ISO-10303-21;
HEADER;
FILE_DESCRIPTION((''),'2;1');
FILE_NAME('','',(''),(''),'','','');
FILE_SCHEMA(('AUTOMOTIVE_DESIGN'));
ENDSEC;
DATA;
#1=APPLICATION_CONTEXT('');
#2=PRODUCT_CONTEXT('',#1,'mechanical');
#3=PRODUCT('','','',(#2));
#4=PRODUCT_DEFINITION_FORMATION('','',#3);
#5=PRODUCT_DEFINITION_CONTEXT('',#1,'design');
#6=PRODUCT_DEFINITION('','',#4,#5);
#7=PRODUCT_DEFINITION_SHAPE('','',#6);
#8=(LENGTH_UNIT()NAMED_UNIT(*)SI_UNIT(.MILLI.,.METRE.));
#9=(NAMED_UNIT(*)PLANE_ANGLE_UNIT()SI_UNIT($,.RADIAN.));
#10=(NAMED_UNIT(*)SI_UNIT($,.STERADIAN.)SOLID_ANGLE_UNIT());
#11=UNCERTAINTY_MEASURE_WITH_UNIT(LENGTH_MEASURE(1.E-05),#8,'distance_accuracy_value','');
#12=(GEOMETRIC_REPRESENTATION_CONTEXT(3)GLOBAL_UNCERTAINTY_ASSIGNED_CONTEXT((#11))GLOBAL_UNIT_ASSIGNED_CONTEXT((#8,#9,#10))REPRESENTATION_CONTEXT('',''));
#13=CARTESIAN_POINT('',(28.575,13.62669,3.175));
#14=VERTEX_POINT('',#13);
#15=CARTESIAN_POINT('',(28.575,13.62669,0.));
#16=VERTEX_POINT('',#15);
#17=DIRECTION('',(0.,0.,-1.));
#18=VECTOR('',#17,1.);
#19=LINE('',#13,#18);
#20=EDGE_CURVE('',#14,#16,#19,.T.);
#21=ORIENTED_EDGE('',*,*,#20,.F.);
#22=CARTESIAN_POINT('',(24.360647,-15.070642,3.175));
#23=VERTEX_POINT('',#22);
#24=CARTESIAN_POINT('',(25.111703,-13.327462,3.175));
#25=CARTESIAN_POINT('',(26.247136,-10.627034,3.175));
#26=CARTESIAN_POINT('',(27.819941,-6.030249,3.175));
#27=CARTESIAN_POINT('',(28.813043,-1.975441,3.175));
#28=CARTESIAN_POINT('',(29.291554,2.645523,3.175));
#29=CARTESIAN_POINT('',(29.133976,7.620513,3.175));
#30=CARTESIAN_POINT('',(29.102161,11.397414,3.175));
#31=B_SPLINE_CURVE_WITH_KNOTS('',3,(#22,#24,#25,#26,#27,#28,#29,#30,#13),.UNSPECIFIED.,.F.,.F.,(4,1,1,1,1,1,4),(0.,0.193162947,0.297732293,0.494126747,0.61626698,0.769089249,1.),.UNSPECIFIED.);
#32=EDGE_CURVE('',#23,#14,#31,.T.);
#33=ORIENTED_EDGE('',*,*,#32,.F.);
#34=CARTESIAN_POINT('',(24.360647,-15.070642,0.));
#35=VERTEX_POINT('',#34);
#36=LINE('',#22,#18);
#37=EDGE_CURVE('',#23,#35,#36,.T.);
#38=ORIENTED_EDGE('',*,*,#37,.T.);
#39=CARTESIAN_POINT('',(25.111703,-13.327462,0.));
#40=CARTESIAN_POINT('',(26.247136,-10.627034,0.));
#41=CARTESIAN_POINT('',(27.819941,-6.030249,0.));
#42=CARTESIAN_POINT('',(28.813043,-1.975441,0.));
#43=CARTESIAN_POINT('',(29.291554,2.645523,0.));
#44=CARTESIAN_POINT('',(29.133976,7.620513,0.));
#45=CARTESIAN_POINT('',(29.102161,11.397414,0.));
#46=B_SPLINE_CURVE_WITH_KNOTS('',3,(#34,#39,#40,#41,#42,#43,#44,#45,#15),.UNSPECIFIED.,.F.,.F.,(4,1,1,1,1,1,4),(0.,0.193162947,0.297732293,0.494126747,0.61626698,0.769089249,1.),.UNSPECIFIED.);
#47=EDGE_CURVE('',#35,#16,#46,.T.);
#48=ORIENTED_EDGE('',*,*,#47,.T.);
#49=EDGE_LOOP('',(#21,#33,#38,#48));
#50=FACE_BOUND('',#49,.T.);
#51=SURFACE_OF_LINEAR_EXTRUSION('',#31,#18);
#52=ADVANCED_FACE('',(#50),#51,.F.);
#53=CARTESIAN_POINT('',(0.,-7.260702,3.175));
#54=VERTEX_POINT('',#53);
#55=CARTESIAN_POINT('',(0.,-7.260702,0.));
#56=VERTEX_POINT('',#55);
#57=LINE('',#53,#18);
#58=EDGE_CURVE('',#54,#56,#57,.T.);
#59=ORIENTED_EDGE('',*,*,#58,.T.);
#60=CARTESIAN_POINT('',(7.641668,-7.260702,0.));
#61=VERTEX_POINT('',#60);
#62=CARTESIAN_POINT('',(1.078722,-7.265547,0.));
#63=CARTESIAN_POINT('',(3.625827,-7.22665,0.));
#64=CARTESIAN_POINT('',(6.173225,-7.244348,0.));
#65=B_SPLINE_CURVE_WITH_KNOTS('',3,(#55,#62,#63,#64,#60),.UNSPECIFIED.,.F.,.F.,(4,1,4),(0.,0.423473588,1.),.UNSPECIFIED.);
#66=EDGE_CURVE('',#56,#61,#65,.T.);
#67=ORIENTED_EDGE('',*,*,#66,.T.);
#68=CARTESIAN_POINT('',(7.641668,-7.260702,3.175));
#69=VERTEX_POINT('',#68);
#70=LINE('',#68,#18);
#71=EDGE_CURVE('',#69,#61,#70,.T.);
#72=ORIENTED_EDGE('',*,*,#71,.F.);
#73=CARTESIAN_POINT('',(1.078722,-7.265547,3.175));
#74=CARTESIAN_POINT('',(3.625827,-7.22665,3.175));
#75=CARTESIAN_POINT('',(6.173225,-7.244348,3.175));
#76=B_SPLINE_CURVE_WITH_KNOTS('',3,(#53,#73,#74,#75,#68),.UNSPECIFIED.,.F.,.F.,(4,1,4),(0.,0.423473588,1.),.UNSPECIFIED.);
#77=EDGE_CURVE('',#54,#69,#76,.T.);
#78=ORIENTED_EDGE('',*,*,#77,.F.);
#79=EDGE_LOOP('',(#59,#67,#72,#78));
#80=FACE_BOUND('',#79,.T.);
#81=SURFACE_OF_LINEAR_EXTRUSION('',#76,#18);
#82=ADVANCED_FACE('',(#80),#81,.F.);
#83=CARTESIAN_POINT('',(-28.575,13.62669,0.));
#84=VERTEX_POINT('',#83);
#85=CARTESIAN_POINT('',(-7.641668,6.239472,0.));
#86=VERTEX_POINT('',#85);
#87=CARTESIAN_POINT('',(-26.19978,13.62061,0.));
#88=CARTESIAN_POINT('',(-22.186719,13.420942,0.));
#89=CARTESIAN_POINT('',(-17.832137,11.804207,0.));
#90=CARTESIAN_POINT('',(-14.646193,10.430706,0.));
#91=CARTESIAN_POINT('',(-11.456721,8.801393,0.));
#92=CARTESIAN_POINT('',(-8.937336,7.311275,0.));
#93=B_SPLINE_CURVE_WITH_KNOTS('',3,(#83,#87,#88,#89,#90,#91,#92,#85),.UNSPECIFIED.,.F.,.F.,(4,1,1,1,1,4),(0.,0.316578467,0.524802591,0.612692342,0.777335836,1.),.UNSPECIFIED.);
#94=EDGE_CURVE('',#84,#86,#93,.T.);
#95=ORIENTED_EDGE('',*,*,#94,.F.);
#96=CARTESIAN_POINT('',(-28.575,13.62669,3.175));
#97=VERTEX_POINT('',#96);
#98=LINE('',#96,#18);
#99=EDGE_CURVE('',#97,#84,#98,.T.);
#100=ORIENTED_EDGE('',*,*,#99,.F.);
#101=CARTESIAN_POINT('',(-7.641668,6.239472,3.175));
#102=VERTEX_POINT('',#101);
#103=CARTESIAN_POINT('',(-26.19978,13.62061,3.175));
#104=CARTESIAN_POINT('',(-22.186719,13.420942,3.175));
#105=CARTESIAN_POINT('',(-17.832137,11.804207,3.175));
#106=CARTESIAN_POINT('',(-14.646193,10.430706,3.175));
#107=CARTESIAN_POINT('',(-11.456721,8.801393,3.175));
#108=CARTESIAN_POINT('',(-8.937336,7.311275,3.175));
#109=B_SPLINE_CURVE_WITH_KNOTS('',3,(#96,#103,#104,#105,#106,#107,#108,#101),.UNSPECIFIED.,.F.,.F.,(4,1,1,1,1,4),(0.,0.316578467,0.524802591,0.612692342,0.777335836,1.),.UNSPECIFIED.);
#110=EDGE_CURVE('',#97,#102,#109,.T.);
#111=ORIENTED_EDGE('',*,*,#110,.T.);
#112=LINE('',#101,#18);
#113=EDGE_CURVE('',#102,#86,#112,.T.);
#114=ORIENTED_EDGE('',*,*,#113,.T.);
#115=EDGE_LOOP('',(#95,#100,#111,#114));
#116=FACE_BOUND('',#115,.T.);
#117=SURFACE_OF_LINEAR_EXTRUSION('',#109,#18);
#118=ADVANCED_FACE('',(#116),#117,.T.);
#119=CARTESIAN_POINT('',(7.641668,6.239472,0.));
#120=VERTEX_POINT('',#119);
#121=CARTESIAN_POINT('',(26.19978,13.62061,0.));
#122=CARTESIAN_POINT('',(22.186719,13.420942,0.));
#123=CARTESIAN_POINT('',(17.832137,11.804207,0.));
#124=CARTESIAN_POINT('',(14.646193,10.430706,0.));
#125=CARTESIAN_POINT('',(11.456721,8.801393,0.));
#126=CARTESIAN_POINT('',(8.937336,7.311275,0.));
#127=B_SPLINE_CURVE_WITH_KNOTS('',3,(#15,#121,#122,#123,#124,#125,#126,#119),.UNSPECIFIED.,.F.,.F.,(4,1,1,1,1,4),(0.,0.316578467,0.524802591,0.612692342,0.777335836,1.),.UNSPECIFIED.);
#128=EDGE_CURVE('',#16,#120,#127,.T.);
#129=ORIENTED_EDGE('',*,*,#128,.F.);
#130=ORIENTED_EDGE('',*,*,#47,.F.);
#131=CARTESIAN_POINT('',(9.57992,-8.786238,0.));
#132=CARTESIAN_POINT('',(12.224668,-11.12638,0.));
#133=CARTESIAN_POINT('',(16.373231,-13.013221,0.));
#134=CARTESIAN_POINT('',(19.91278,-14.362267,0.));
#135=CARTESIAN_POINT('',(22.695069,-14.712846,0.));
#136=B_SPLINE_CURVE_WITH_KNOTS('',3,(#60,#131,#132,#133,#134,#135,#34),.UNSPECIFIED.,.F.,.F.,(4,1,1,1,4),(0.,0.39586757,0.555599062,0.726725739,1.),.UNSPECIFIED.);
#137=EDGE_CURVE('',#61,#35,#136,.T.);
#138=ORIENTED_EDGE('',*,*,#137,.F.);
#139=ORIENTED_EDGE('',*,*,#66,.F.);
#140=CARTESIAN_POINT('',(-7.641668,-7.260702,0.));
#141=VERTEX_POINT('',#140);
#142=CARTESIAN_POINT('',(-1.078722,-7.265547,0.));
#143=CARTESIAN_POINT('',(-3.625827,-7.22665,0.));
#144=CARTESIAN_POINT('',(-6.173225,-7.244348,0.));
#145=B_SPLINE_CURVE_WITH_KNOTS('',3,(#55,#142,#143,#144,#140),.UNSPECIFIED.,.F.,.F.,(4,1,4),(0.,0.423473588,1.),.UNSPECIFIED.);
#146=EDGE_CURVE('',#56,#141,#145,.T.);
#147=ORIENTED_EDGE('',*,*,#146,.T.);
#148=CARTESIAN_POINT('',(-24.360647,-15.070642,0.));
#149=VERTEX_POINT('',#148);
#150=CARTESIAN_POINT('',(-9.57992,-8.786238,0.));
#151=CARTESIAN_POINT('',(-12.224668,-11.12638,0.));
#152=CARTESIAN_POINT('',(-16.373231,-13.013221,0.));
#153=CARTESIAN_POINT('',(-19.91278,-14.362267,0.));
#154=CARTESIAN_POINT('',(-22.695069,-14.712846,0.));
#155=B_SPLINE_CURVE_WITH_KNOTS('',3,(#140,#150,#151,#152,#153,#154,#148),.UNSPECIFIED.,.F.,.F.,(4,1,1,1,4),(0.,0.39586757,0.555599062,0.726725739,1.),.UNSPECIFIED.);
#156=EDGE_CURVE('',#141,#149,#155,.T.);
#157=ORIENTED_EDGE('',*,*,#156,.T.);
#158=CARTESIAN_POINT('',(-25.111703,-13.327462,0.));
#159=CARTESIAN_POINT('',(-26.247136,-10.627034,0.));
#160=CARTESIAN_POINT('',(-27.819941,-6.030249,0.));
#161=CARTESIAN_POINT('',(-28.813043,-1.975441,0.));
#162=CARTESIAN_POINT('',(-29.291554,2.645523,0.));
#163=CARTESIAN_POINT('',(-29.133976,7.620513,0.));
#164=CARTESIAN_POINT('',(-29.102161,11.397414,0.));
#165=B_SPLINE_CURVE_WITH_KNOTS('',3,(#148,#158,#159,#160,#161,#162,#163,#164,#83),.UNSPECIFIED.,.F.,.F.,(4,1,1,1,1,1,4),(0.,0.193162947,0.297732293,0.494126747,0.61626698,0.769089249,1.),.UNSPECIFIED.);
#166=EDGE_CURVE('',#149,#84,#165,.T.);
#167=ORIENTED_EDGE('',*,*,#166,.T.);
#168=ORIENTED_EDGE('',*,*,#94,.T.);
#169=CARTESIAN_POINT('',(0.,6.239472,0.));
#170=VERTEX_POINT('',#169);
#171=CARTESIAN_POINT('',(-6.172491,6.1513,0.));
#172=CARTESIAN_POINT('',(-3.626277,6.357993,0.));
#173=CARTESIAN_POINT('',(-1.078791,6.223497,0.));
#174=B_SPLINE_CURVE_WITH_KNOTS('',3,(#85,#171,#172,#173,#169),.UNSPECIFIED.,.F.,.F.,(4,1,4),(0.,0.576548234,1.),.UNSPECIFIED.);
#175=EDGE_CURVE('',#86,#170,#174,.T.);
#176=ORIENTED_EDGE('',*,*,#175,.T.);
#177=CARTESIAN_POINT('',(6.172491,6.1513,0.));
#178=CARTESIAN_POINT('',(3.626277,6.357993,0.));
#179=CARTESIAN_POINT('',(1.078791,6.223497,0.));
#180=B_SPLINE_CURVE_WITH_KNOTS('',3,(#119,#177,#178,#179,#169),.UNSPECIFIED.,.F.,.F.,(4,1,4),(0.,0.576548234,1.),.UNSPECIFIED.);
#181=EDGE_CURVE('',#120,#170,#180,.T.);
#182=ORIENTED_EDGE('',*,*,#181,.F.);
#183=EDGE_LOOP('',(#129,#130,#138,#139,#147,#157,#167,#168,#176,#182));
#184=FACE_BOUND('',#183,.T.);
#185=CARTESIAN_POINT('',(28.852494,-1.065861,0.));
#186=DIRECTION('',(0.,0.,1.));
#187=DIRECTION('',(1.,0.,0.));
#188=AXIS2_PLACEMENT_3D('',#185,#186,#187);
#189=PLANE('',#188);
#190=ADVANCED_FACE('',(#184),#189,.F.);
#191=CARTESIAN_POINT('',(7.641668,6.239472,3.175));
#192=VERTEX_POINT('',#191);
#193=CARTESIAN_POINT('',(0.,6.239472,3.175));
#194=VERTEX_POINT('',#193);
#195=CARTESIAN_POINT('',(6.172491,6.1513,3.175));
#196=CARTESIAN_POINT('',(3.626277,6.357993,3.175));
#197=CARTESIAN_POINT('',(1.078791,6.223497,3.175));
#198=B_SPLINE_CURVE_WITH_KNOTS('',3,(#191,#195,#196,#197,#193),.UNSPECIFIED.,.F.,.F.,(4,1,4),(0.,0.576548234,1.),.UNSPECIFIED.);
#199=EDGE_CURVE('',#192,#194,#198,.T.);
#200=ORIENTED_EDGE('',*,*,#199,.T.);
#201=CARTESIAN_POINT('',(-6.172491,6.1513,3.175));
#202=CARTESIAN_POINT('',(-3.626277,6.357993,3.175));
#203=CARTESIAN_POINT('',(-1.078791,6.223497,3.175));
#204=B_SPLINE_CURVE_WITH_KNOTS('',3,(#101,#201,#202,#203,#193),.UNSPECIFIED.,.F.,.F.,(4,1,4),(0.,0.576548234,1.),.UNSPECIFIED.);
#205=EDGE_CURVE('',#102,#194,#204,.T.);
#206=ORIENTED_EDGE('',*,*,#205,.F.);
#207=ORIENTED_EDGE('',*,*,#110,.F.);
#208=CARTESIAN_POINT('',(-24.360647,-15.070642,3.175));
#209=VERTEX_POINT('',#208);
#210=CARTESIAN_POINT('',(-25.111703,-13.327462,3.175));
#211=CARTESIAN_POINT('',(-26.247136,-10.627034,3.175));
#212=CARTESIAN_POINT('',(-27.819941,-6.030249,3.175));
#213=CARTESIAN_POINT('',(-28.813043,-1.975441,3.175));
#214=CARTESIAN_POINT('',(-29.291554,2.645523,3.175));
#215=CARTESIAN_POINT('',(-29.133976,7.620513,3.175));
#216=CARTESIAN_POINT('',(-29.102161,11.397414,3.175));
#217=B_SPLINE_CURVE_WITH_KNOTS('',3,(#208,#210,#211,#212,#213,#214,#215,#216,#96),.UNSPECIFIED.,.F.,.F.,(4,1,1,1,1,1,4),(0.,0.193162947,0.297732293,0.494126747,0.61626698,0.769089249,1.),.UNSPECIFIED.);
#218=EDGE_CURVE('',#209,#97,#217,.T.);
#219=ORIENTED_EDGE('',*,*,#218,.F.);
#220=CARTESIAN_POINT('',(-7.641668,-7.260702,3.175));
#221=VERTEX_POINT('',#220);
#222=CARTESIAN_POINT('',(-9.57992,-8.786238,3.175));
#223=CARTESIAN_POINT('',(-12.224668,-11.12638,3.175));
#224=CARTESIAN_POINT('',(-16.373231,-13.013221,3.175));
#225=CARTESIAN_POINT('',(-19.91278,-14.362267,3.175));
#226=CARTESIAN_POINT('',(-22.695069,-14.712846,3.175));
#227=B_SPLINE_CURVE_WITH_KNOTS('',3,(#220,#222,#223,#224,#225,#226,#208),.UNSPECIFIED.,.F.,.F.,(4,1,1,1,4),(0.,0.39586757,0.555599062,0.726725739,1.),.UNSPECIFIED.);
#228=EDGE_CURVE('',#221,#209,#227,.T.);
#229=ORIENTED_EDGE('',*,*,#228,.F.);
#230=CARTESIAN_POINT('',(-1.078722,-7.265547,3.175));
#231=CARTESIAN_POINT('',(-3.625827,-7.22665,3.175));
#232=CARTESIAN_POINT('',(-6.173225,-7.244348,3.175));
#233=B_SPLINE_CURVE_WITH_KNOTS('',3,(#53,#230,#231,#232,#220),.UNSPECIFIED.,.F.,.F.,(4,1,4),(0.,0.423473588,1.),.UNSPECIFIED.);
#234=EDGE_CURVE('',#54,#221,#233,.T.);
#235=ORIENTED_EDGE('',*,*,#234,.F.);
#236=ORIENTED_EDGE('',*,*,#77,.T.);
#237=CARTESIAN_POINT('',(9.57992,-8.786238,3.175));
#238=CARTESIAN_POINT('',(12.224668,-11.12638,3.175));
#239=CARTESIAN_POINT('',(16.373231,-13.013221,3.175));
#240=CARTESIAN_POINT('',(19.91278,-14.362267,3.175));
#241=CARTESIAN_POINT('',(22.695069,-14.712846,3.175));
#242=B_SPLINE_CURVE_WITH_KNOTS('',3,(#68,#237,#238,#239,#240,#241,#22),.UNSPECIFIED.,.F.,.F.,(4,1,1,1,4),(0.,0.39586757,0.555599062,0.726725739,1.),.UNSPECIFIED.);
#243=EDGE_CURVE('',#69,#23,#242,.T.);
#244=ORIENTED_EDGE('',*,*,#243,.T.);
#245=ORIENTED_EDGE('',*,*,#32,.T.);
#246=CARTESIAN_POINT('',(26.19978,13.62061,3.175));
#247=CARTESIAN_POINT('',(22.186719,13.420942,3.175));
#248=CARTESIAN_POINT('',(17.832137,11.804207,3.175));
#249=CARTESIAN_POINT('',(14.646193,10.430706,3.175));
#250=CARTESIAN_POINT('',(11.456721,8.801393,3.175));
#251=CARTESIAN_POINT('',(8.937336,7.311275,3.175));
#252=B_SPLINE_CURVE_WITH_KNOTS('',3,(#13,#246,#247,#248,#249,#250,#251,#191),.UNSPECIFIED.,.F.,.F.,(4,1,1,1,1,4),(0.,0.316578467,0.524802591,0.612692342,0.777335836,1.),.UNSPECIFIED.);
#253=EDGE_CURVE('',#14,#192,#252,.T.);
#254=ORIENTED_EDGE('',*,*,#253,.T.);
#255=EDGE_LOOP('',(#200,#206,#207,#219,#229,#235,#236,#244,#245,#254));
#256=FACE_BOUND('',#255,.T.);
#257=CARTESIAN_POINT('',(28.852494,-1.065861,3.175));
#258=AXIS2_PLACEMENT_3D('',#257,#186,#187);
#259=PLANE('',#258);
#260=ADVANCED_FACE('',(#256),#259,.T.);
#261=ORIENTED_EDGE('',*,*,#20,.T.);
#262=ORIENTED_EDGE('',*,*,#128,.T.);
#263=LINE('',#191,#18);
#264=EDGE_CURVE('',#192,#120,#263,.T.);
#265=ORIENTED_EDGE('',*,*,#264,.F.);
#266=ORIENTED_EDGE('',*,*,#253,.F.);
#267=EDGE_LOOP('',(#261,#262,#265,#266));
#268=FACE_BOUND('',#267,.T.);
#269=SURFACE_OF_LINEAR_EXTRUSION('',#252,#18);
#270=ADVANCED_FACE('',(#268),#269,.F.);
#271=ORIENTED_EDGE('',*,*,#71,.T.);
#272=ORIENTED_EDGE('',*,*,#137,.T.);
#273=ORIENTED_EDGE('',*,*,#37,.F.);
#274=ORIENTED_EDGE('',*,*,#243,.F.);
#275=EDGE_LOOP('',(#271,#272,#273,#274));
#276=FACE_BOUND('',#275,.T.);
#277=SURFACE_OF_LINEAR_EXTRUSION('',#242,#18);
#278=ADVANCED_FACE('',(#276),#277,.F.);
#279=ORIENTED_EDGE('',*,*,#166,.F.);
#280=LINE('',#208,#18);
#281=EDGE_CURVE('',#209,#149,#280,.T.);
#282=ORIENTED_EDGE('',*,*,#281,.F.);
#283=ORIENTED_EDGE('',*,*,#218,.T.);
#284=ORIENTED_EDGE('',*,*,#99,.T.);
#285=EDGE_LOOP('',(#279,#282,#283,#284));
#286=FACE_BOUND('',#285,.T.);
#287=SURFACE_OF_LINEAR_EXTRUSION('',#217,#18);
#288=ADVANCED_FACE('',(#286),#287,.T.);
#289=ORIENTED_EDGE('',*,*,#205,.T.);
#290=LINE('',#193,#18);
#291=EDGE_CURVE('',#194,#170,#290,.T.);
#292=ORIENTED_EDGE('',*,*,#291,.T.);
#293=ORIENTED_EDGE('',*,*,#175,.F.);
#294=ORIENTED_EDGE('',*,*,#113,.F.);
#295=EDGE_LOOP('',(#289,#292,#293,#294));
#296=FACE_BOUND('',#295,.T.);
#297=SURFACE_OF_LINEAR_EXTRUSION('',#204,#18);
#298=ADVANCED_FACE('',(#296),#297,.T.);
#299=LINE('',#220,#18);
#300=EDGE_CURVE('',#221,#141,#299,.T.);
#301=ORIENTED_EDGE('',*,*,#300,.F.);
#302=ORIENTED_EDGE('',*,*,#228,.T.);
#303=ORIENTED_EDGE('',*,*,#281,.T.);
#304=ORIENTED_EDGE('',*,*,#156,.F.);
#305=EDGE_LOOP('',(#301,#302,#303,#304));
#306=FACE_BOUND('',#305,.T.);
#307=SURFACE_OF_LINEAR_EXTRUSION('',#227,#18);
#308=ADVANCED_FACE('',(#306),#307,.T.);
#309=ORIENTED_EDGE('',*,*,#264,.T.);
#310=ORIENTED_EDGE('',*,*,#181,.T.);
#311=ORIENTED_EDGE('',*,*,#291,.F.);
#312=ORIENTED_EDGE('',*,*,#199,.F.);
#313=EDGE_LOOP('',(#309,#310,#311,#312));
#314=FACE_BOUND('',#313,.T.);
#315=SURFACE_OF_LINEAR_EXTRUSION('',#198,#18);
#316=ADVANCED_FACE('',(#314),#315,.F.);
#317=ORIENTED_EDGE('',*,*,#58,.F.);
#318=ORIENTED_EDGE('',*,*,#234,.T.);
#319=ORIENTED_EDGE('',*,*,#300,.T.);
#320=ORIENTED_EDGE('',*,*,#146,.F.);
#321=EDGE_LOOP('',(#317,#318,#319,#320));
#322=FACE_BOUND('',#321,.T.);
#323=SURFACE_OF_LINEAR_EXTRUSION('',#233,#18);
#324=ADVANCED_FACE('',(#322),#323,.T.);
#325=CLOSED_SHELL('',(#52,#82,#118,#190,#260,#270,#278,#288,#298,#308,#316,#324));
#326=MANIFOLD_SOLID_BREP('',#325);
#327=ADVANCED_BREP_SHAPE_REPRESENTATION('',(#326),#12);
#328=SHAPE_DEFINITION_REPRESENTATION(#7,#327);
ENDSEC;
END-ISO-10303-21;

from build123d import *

# Parameters (mm, degrees)
BOSS_EXTRUDE1_DEPTH = 3.175


with BuildPart() as part:
    # Sketch1 → Boss-Extrude1 (new body)
    with BuildSketch(Plane.XY):
        with BuildLine():
            Line((0, 6.239472455), (0, -7.260702217))
            add(Edge.make_bspline(
                [(7.641667961, -7.260702217), (6.173224566, -7.24434781), (3.62582692, -7.226650196), (1.078722065, -7.265547409), (0, -7.260702217)],
                knots=[0, 0, 0, 0, 0.576526412, 1, 1, 1, 1], degree=3))
            add(Edge.make_bspline(
                [(24.360647134, -15.070641791), (22.695069181, -14.712846276), (19.912779569, -14.362267459), (16.373231273, -13.013220857), (12.224668447, -11.126379611), (9.579920278, -8.786238347), (7.641667961, -7.260702217)],
                knots=[0, 0, 0, 0, 0.273274261, 0.444400938, 0.60413243, 1, 1, 1, 1], degree=3))
            add(Edge.make_bspline(
                [(28.575, 13.626690141), (29.102161134, 11.397414075), (29.133975743, 7.620513248), (29.291553814, 2.645522958), (28.813043081, -1.975440767), (27.819941332, -6.030249292), (26.247135541, -10.627034403), (25.111702689, -13.327462029), (24.360647134, -15.070641791)],
                knots=[0, 0, 0, 0, 0.230910751, 0.38373302, 0.505873253, 0.702267707, 0.806837053, 1, 1, 1, 1], degree=3))
            add(Edge.make_bspline(
                [(28.575, 13.626690141), (26.199779562, 13.620610297), (22.186719247, 13.420941971), (17.832136903, 11.80420711), (14.646192699, 10.4307062), (11.456721178, 8.801393468), (8.937335742, 7.311275098), (7.641667961, 6.239472455)],
                knots=[0, 0, 0, 0, 0.316578467, 0.524802591, 0.612692342, 0.777335836, 1, 1, 1, 1], degree=3))
            add(Edge.make_bspline(
                [(7.641667961, 6.239472455), (6.172491471, 6.151300055), (3.626276552, 6.357992663), (1.07879149, 6.223497089), (0, 6.239472455)],
                knots=[0, 0, 0, 0, 0.576548234, 1, 1, 1, 1], degree=3))
        make_face()
    boss_extrude1 = extrude(amount=BOSS_EXTRUDE1_DEPTH)

    # Mirror1: Boss-Extrude1 across plane
    add(boss_extrude1.mirror(Plane(origin=(0, 0, 0), x_dir=(0, 0, 1), z_dir=(1, 0, 0))))


solid = part.part
